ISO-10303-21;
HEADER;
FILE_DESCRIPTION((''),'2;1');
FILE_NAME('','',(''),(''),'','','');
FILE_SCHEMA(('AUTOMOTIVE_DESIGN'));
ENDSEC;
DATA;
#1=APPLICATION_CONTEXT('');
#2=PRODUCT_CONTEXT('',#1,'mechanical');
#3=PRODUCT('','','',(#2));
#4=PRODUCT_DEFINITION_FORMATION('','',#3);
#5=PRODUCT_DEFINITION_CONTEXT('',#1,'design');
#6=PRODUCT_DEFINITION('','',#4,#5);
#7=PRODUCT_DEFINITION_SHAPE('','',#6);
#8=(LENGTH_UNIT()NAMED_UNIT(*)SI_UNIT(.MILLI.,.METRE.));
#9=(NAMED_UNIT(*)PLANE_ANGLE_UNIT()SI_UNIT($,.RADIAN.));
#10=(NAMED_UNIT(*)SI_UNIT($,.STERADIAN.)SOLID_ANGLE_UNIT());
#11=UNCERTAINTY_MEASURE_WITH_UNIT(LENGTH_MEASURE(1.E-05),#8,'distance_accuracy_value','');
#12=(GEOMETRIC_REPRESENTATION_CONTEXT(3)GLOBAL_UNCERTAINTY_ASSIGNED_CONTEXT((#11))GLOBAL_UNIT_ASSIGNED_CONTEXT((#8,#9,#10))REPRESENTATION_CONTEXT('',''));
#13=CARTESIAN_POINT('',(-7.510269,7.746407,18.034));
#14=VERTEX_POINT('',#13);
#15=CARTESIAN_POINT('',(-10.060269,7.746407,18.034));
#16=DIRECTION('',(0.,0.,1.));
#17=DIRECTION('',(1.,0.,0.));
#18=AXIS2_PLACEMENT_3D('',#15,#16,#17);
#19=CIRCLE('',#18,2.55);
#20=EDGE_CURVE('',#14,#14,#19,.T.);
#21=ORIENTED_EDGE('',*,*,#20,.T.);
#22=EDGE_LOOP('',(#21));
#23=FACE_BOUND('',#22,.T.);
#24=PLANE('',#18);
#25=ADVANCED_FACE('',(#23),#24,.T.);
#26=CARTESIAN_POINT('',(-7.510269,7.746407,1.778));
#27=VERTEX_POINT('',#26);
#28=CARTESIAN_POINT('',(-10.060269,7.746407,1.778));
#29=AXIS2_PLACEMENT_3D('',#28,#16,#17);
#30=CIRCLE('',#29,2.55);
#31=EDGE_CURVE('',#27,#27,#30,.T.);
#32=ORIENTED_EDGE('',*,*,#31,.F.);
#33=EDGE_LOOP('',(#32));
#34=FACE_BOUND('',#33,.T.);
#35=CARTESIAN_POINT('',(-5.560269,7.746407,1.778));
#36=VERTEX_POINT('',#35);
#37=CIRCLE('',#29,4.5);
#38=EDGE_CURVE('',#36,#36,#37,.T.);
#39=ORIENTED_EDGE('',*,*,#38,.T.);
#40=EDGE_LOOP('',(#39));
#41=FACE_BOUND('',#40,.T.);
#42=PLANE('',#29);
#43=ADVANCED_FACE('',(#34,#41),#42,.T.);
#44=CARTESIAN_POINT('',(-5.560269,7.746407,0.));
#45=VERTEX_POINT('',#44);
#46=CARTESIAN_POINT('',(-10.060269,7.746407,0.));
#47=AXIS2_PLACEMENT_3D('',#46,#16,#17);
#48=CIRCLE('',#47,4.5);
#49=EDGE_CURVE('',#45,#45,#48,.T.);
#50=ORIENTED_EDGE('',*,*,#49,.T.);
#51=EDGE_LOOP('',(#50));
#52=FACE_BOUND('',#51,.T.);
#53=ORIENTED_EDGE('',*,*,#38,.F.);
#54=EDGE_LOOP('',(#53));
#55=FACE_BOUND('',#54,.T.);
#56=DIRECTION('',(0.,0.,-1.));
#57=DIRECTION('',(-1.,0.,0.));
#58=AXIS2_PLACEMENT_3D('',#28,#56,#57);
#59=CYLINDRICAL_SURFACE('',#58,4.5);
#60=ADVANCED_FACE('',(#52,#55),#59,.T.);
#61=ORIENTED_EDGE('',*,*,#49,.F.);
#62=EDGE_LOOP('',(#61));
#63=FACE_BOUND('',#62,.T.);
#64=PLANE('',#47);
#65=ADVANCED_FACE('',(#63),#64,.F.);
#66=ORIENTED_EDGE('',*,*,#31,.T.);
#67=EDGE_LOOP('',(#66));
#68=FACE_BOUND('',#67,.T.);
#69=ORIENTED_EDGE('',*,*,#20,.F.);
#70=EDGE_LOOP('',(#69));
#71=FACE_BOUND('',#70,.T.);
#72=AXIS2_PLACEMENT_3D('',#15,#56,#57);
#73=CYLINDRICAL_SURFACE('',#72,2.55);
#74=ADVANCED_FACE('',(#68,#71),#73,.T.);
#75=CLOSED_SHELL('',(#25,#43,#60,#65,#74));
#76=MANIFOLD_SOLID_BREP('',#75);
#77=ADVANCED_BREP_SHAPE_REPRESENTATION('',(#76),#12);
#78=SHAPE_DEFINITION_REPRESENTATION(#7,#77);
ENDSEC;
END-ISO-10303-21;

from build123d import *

# Parameters (mm, degrees)
SKETCH1_R           = 4.5
BOSS_EXTRUDE2_DEPTH = 1.778
SKETCH2_R           = 2.55
BOSS_EXTRUDE4_DEPTH = 16.256


with BuildPart() as part:
    # Sketch1 → Boss-Extrude2 (new body)
    with BuildSketch(Plane.XY):
        with Locations((-10.060269198, 7.746407282)):
            Circle(SKETCH1_R)
    extrude(amount=BOSS_EXTRUDE2_DEPTH)

    # Sketch2 → Boss-Extrude4 (add)
    with BuildSketch(Plane.XY.offset(1.778)):
        with Locations((-10.060269198, 7.746407282)):
            Circle(SKETCH2_R)
    extrude(amount=BOSS_EXTRUDE4_DEPTH)


solid = part.part
